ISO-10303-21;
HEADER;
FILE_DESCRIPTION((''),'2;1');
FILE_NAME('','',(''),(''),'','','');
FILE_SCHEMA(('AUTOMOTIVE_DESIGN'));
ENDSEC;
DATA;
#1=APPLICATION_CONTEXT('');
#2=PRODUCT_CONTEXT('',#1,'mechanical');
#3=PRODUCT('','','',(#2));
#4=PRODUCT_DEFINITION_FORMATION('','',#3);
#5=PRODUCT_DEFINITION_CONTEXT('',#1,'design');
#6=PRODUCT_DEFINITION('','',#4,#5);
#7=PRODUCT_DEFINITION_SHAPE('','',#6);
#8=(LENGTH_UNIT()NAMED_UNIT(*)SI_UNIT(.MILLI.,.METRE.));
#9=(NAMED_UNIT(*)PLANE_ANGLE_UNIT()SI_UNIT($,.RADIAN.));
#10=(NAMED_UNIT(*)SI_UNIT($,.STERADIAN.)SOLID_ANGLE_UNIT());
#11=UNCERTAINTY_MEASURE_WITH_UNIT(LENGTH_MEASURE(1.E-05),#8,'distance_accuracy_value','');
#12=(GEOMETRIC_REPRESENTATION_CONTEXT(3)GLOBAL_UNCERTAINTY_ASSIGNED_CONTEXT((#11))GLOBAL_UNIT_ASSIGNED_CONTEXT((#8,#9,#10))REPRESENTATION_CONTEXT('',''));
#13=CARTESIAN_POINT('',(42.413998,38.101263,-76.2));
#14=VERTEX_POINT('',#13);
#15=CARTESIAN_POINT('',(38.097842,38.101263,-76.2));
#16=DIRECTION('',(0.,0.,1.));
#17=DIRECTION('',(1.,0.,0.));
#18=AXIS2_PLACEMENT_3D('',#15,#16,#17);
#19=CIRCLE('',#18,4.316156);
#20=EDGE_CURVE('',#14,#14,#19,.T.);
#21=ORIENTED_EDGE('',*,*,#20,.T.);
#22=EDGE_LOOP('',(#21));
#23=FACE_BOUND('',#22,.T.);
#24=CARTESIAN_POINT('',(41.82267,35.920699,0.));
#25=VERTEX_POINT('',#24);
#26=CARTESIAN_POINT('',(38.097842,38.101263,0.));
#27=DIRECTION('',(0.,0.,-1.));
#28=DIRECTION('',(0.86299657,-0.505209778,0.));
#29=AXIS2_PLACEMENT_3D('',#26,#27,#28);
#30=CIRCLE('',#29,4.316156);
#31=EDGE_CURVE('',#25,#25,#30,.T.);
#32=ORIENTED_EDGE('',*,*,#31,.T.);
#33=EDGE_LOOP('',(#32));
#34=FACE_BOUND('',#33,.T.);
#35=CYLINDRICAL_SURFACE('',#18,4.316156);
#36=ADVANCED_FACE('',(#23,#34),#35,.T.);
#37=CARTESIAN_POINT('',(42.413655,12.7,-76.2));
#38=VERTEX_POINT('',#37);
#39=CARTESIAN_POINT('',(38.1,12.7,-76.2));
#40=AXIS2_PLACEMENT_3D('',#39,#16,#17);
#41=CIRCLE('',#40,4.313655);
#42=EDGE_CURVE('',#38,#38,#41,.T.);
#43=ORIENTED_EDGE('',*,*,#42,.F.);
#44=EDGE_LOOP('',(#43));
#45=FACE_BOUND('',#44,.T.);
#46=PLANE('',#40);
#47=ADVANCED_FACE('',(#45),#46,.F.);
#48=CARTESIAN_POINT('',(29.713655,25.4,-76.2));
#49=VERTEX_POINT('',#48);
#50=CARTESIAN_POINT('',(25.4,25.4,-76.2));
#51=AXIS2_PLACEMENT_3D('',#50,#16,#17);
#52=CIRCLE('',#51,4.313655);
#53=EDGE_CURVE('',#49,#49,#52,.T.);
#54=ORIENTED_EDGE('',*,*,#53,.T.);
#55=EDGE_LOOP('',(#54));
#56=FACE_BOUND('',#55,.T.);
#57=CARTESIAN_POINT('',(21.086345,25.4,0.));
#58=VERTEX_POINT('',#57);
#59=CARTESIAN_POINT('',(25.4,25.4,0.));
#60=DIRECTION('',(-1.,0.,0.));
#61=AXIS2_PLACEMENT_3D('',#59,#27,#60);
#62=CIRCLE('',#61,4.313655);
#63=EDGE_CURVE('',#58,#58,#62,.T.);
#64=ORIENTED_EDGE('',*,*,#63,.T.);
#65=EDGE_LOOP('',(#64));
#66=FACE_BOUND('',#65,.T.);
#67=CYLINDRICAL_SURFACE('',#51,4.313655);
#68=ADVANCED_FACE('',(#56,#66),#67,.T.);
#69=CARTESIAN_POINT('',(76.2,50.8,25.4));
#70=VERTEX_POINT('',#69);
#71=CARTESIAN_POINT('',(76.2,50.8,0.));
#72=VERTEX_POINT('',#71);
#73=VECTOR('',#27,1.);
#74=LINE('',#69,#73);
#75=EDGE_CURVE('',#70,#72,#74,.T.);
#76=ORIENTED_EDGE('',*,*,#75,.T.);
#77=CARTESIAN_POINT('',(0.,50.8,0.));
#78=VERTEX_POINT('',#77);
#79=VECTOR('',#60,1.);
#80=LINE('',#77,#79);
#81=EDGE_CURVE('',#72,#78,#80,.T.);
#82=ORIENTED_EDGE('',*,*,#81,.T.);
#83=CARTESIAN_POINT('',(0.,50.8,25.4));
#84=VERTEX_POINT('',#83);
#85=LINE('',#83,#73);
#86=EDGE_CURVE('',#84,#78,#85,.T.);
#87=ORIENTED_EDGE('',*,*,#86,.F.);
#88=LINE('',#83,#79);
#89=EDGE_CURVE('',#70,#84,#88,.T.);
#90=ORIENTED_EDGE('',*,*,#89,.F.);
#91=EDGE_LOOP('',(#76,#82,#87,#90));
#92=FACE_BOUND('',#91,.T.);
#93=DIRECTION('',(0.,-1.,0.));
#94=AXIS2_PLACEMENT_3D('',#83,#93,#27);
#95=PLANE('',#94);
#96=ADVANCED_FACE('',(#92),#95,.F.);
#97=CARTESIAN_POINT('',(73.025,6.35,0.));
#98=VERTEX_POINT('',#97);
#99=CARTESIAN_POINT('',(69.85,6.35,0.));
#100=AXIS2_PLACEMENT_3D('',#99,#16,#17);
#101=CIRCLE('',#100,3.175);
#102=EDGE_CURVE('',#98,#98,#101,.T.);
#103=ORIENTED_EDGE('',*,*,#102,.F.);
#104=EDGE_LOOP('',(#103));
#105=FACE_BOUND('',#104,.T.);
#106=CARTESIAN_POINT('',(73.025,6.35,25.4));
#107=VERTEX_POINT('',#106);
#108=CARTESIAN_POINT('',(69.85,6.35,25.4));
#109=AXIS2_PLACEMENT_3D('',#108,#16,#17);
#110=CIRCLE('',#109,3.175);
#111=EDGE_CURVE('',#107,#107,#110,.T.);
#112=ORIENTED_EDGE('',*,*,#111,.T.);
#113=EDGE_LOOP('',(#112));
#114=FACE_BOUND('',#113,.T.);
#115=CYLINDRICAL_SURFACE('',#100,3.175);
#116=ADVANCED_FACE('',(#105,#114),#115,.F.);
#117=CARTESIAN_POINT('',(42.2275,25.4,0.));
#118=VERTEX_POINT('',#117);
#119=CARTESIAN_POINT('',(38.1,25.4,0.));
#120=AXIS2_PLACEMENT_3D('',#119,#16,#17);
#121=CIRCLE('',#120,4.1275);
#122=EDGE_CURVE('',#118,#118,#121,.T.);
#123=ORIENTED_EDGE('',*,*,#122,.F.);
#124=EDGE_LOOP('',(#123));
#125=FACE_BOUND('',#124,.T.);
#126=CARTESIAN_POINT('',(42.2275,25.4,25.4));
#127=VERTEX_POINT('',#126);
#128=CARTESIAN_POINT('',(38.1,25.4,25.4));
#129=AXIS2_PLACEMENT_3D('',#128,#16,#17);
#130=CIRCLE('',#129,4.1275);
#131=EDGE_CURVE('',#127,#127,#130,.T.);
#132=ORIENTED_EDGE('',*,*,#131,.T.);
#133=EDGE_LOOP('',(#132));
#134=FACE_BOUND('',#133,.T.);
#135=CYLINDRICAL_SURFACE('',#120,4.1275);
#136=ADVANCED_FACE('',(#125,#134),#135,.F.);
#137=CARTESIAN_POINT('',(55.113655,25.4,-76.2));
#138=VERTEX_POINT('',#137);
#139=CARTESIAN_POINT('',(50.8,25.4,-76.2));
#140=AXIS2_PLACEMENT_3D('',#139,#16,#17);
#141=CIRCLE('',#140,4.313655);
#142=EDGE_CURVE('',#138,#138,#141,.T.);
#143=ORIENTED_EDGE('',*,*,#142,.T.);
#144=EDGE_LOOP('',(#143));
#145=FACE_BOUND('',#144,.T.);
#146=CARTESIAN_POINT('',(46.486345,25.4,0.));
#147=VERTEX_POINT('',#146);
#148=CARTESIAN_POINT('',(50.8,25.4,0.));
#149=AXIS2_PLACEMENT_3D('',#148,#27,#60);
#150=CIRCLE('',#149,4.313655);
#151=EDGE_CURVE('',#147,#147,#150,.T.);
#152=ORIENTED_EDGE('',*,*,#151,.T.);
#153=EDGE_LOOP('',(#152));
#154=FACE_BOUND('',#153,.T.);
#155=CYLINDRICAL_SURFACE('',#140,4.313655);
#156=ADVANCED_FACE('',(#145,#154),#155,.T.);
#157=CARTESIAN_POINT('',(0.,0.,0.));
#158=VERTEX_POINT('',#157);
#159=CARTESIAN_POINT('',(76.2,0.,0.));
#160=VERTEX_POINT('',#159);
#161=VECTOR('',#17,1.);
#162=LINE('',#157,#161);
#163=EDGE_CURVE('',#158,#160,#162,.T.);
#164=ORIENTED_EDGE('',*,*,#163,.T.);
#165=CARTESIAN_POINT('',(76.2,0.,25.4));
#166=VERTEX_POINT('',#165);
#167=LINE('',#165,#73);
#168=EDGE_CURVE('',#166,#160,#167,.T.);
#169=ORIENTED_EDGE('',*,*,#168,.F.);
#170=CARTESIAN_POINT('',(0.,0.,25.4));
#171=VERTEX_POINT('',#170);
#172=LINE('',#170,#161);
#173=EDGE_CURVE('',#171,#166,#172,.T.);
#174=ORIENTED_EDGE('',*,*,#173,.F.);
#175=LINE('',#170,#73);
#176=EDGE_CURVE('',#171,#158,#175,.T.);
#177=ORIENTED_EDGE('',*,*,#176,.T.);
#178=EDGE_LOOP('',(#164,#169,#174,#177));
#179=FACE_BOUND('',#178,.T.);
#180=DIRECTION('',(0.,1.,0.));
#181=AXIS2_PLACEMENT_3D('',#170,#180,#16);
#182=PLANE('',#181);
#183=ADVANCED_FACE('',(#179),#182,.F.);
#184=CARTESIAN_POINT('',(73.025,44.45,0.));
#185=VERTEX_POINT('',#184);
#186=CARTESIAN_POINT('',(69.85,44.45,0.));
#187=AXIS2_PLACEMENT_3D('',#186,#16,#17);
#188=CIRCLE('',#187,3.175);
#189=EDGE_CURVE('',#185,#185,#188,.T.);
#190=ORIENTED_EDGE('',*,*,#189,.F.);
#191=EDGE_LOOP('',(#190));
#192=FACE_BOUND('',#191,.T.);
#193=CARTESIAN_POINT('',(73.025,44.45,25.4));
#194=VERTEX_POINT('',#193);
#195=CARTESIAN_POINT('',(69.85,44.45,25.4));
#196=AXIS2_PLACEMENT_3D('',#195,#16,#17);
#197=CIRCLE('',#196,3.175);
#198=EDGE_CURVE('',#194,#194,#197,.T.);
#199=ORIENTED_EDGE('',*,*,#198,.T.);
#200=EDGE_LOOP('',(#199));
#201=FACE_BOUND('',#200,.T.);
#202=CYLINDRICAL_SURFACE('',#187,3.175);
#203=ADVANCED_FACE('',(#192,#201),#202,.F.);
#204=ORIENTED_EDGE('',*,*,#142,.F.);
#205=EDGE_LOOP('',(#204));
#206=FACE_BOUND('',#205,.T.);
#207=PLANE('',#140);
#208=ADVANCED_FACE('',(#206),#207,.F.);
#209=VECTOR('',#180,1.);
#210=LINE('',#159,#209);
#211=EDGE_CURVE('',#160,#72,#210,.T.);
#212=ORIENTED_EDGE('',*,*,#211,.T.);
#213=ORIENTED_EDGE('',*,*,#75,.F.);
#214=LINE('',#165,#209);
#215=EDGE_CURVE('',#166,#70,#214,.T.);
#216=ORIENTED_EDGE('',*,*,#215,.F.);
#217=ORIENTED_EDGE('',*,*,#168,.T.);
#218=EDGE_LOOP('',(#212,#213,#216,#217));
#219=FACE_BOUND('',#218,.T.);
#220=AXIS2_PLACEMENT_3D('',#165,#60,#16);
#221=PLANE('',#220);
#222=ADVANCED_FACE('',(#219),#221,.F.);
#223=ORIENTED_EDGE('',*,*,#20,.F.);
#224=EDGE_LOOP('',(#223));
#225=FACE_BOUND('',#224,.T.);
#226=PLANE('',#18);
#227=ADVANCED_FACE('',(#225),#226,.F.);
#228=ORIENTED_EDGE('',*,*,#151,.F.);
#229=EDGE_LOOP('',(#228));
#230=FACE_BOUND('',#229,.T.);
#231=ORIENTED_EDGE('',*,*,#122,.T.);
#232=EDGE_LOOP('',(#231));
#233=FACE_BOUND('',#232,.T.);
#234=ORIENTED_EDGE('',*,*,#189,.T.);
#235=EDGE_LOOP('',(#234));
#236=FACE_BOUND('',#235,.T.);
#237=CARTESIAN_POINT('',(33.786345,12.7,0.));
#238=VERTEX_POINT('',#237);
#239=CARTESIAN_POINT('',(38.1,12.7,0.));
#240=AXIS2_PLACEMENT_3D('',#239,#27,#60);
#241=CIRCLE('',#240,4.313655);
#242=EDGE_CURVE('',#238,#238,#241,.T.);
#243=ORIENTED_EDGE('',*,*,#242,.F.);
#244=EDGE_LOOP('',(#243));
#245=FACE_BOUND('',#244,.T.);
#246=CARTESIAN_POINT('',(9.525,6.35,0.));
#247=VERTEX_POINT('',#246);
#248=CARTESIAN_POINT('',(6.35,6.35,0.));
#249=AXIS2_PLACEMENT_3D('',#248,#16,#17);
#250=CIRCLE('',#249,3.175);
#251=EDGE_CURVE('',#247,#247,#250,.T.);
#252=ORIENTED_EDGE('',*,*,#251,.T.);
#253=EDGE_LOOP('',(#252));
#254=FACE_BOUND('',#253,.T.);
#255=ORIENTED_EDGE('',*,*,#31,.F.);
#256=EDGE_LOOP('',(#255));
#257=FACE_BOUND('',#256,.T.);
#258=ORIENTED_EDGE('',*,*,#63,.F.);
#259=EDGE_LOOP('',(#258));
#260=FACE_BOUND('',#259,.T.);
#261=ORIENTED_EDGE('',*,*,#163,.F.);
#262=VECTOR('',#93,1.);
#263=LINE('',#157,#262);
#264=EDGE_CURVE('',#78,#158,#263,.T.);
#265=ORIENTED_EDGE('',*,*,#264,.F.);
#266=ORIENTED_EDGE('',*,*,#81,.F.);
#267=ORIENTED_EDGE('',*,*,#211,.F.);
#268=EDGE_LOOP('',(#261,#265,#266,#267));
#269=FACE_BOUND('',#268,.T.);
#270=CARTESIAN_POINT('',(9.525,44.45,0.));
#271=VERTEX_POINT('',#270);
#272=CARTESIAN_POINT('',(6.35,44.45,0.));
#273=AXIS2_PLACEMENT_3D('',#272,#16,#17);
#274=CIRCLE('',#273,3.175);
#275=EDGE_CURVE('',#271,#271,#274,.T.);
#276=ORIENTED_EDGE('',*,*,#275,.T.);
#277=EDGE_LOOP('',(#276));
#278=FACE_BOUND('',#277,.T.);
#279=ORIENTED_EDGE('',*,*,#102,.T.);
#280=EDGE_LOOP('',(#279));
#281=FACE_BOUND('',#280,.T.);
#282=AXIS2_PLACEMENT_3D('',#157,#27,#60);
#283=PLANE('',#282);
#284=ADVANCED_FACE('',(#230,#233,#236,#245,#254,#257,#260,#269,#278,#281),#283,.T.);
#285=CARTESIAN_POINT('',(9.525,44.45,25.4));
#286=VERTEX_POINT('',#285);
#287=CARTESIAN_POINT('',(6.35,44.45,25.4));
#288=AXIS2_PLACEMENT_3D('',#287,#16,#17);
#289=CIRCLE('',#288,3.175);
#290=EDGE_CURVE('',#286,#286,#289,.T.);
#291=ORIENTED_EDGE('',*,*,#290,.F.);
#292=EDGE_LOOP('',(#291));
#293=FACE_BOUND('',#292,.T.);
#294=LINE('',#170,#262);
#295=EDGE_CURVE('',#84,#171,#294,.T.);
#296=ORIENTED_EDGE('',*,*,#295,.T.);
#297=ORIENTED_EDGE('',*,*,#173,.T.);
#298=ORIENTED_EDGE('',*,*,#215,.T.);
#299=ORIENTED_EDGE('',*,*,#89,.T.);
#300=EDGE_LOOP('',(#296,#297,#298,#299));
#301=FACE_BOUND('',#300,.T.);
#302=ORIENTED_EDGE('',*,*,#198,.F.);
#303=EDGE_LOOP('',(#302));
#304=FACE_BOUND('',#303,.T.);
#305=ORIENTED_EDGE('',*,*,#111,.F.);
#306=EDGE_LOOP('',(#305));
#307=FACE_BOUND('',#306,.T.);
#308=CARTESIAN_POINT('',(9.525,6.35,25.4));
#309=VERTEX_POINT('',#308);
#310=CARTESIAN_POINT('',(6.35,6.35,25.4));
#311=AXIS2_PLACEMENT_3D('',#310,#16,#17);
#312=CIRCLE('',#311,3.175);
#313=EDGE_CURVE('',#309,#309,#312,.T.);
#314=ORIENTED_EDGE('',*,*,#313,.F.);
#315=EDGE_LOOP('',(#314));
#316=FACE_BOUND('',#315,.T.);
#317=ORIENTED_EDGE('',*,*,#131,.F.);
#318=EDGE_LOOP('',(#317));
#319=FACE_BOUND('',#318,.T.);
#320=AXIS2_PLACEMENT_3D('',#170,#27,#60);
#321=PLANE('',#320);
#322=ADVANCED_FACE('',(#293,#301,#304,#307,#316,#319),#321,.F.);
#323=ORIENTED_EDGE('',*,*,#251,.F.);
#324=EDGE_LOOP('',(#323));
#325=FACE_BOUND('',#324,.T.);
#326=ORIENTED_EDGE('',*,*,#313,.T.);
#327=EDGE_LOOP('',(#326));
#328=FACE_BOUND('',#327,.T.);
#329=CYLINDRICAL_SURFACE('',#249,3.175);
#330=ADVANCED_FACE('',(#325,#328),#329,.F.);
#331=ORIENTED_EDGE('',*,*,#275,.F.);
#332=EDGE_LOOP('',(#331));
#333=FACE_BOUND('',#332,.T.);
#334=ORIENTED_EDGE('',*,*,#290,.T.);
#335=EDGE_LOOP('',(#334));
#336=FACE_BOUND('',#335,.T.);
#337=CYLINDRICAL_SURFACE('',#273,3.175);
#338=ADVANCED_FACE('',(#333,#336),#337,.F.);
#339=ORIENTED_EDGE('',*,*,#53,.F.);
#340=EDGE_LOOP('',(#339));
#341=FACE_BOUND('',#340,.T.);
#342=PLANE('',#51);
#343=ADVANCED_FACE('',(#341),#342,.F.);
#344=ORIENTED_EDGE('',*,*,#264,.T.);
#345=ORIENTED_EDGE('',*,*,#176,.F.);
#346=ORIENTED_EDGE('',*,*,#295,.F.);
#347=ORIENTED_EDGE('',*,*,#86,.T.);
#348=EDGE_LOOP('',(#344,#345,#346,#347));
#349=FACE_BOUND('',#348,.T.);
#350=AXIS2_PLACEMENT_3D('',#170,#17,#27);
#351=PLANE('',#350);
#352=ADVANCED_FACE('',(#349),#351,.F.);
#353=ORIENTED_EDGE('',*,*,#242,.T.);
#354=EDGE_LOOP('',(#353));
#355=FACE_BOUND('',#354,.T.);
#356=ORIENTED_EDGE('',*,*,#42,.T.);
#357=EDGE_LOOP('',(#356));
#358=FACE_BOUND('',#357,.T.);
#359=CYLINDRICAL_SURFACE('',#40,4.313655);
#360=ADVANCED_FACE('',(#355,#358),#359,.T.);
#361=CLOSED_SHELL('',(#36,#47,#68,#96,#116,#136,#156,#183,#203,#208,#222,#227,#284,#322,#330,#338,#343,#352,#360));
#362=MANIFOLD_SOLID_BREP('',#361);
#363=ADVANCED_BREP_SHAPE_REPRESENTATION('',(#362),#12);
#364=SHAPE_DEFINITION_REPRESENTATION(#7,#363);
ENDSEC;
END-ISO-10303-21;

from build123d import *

# Parameters (mm, degrees)
SKETCH1_W           = 76.2
SKETCH1_H           = 50.8
SKETCH1_R           = 4.31365531
BOSS_EXTRUDE2_DEPTH = 25.4
SKETCH6_R           = 4.1275
SKETCH6_R_2         = 3.175
CUT_EXTRUDE3_DEPTH  = 25.4
BOSS_EXTRUDE3_START = -101.6
SKETCH7_R           = 4.31365531
BOSS_EXTRUDE3_DEPTH = 101.6
BOSS_EXTRUDE5_START = -101.6
SKETCH9_R           = 4.31365531
BOSS_EXTRUDE5_DEPTH = 101.6
SKETCH11_R          = 4.316155828
BOSS_EXTRUDE6_DEPTH = 101.6
BOSS_EXTRUDE7_START = -101.6
SKETCH14_R          = 4.31365531
BOSS_EXTRUDE7_DEPTH = 101.6


with BuildPart() as part:
    # Sketch1 → Boss-Extrude2 (new body)
    with BuildSketch(Plane.XY):
        with Locations((38.1, 25.4)):
            Rectangle(SKETCH1_W, SKETCH1_H)
        with Locations((38.1, 38.1)):
            Circle(SKETCH1_R, mode=Mode.SUBTRACT)
        with Locations((50.8, 25.4)):
            Circle(SKETCH1_R, mode=Mode.SUBTRACT)
        with Locations((38.1, 12.7)):
            Circle(SKETCH1_R, mode=Mode.SUBTRACT)
        with Locations((25.4, 25.4)):
            Circle(SKETCH1_R, mode=Mode.SUBTRACT)
    extrude(amount=BOSS_EXTRUDE2_DEPTH)

    # Sketch6 → Cut-Extrude3 (cut)
    with BuildSketch(Plane.XY.offset(25.4)):
        with Locations((38.1, 25.4)):
            Circle(SKETCH6_R)
        with Locations((6.35, 44.45)):
            Circle(SKETCH6_R_2)
        with Locations((69.85, 44.45)):
            Circle(SKETCH6_R_2)
        with Locations((6.35, 6.35)):
            Circle(SKETCH6_R_2)
        with Locations((69.85, 6.35)):
            Circle(SKETCH6_R_2)
    extrude(amount=-CUT_EXTRUDE3_DEPTH, mode=Mode.SUBTRACT)

    # Sketch7 → Boss-Extrude3 (add)
    with BuildSketch(Plane.XY.offset(25.4).offset(BOSS_EXTRUDE3_START)):
        with Locations((25.4, 25.4)):
            Circle(SKETCH7_R)
    extrude(amount=BOSS_EXTRUDE3_DEPTH)

    # Sketch9 → Boss-Extrude5 (add)
    with BuildSketch(Plane.XY.offset(25.4).offset(BOSS_EXTRUDE5_START)):
        with Locations((50.8, 25.4)):
            Circle(SKETCH9_R)
    extrude(amount=BOSS_EXTRUDE5_DEPTH)

    # Sketch11 → Boss-Extrude6 (add)
    with BuildSketch(Plane.XY.offset(25.4)):
        with Locations((38.097842062, 38.101263286)):
            Circle(SKETCH11_R)
    extrude(amount=-BOSS_EXTRUDE6_DEPTH)

    # Sketch14 → Boss-Extrude7 (add)
    with BuildSketch(Plane.XY.offset(25.4).offset(BOSS_EXTRUDE7_START)):
        with Locations((38.1, 12.7)):
            Circle(SKETCH14_R)
    extrude(amount=BOSS_EXTRUDE7_DEPTH)


solid = part.part
